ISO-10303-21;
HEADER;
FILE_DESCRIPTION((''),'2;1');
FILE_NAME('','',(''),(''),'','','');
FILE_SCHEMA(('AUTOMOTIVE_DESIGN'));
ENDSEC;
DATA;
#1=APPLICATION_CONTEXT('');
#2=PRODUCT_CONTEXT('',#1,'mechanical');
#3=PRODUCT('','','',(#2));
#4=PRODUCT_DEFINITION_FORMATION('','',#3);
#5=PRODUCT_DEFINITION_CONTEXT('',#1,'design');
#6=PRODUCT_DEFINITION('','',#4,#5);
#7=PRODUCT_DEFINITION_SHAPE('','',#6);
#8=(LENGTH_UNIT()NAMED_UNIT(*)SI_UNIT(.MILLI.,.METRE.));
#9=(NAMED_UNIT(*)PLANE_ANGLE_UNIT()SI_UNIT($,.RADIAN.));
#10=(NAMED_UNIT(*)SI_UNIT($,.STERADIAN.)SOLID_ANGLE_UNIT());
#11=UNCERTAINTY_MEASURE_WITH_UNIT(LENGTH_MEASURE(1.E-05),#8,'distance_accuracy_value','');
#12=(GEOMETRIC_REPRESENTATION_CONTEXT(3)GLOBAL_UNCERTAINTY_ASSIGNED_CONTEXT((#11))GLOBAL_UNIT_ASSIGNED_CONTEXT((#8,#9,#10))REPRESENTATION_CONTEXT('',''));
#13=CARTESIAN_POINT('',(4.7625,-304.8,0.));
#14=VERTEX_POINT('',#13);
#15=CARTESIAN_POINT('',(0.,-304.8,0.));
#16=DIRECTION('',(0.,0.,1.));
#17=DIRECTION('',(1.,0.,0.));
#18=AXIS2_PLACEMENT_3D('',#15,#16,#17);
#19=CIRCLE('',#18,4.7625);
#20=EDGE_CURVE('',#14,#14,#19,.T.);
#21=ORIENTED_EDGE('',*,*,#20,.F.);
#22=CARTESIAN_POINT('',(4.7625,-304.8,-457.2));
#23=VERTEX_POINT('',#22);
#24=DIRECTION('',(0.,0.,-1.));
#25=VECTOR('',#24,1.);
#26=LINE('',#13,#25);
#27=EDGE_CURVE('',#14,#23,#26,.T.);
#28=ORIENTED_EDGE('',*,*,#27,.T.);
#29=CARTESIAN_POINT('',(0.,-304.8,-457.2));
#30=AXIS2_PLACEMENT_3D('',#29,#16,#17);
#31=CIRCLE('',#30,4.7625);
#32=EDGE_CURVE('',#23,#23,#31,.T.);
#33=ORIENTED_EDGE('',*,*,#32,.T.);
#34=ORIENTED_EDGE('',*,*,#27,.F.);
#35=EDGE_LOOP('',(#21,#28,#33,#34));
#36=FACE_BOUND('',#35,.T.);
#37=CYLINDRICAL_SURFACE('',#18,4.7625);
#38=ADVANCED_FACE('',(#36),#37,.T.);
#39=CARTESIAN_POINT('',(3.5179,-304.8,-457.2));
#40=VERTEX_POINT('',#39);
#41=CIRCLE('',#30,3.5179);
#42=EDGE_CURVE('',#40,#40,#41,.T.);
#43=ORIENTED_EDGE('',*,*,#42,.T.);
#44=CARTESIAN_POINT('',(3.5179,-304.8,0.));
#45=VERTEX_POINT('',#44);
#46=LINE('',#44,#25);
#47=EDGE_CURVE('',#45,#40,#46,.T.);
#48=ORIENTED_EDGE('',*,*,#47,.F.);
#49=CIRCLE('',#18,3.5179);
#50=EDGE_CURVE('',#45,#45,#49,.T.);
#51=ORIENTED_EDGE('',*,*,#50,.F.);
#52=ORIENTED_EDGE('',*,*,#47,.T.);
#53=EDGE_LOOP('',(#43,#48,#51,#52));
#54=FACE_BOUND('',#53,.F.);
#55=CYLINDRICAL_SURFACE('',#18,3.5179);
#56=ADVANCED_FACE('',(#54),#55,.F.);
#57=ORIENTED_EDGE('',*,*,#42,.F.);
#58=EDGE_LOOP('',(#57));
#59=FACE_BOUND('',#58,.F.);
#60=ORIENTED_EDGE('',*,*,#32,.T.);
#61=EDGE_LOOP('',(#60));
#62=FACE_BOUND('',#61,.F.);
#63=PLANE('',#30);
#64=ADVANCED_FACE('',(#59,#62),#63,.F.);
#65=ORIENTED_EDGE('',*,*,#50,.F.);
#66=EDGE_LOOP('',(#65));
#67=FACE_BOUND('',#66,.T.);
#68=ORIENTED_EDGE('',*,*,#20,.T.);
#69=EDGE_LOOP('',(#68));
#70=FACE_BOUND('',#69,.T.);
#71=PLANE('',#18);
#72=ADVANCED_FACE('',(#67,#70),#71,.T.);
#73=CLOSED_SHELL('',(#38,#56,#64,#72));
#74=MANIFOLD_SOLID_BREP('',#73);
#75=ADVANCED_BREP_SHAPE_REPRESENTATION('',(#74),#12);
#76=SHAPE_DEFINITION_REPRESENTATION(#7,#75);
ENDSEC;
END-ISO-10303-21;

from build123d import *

# Parameters (mm, degrees)
F0_R     = 4.7625
F0_R_2   = 3.5179
F1_DEPTH = 457.2


with BuildPart() as f1:
    # F0 (on Top) → F1 (new body)
    with BuildSketch(Plane.XY):
        with Locations((0, -304.8)):
            Circle(F0_R)
        with Locations((0, -304.8)):
            Circle(F0_R_2, mode=Mode.SUBTRACT)
    extrude(amount=-F1_DEPTH)


solid = f1.part
